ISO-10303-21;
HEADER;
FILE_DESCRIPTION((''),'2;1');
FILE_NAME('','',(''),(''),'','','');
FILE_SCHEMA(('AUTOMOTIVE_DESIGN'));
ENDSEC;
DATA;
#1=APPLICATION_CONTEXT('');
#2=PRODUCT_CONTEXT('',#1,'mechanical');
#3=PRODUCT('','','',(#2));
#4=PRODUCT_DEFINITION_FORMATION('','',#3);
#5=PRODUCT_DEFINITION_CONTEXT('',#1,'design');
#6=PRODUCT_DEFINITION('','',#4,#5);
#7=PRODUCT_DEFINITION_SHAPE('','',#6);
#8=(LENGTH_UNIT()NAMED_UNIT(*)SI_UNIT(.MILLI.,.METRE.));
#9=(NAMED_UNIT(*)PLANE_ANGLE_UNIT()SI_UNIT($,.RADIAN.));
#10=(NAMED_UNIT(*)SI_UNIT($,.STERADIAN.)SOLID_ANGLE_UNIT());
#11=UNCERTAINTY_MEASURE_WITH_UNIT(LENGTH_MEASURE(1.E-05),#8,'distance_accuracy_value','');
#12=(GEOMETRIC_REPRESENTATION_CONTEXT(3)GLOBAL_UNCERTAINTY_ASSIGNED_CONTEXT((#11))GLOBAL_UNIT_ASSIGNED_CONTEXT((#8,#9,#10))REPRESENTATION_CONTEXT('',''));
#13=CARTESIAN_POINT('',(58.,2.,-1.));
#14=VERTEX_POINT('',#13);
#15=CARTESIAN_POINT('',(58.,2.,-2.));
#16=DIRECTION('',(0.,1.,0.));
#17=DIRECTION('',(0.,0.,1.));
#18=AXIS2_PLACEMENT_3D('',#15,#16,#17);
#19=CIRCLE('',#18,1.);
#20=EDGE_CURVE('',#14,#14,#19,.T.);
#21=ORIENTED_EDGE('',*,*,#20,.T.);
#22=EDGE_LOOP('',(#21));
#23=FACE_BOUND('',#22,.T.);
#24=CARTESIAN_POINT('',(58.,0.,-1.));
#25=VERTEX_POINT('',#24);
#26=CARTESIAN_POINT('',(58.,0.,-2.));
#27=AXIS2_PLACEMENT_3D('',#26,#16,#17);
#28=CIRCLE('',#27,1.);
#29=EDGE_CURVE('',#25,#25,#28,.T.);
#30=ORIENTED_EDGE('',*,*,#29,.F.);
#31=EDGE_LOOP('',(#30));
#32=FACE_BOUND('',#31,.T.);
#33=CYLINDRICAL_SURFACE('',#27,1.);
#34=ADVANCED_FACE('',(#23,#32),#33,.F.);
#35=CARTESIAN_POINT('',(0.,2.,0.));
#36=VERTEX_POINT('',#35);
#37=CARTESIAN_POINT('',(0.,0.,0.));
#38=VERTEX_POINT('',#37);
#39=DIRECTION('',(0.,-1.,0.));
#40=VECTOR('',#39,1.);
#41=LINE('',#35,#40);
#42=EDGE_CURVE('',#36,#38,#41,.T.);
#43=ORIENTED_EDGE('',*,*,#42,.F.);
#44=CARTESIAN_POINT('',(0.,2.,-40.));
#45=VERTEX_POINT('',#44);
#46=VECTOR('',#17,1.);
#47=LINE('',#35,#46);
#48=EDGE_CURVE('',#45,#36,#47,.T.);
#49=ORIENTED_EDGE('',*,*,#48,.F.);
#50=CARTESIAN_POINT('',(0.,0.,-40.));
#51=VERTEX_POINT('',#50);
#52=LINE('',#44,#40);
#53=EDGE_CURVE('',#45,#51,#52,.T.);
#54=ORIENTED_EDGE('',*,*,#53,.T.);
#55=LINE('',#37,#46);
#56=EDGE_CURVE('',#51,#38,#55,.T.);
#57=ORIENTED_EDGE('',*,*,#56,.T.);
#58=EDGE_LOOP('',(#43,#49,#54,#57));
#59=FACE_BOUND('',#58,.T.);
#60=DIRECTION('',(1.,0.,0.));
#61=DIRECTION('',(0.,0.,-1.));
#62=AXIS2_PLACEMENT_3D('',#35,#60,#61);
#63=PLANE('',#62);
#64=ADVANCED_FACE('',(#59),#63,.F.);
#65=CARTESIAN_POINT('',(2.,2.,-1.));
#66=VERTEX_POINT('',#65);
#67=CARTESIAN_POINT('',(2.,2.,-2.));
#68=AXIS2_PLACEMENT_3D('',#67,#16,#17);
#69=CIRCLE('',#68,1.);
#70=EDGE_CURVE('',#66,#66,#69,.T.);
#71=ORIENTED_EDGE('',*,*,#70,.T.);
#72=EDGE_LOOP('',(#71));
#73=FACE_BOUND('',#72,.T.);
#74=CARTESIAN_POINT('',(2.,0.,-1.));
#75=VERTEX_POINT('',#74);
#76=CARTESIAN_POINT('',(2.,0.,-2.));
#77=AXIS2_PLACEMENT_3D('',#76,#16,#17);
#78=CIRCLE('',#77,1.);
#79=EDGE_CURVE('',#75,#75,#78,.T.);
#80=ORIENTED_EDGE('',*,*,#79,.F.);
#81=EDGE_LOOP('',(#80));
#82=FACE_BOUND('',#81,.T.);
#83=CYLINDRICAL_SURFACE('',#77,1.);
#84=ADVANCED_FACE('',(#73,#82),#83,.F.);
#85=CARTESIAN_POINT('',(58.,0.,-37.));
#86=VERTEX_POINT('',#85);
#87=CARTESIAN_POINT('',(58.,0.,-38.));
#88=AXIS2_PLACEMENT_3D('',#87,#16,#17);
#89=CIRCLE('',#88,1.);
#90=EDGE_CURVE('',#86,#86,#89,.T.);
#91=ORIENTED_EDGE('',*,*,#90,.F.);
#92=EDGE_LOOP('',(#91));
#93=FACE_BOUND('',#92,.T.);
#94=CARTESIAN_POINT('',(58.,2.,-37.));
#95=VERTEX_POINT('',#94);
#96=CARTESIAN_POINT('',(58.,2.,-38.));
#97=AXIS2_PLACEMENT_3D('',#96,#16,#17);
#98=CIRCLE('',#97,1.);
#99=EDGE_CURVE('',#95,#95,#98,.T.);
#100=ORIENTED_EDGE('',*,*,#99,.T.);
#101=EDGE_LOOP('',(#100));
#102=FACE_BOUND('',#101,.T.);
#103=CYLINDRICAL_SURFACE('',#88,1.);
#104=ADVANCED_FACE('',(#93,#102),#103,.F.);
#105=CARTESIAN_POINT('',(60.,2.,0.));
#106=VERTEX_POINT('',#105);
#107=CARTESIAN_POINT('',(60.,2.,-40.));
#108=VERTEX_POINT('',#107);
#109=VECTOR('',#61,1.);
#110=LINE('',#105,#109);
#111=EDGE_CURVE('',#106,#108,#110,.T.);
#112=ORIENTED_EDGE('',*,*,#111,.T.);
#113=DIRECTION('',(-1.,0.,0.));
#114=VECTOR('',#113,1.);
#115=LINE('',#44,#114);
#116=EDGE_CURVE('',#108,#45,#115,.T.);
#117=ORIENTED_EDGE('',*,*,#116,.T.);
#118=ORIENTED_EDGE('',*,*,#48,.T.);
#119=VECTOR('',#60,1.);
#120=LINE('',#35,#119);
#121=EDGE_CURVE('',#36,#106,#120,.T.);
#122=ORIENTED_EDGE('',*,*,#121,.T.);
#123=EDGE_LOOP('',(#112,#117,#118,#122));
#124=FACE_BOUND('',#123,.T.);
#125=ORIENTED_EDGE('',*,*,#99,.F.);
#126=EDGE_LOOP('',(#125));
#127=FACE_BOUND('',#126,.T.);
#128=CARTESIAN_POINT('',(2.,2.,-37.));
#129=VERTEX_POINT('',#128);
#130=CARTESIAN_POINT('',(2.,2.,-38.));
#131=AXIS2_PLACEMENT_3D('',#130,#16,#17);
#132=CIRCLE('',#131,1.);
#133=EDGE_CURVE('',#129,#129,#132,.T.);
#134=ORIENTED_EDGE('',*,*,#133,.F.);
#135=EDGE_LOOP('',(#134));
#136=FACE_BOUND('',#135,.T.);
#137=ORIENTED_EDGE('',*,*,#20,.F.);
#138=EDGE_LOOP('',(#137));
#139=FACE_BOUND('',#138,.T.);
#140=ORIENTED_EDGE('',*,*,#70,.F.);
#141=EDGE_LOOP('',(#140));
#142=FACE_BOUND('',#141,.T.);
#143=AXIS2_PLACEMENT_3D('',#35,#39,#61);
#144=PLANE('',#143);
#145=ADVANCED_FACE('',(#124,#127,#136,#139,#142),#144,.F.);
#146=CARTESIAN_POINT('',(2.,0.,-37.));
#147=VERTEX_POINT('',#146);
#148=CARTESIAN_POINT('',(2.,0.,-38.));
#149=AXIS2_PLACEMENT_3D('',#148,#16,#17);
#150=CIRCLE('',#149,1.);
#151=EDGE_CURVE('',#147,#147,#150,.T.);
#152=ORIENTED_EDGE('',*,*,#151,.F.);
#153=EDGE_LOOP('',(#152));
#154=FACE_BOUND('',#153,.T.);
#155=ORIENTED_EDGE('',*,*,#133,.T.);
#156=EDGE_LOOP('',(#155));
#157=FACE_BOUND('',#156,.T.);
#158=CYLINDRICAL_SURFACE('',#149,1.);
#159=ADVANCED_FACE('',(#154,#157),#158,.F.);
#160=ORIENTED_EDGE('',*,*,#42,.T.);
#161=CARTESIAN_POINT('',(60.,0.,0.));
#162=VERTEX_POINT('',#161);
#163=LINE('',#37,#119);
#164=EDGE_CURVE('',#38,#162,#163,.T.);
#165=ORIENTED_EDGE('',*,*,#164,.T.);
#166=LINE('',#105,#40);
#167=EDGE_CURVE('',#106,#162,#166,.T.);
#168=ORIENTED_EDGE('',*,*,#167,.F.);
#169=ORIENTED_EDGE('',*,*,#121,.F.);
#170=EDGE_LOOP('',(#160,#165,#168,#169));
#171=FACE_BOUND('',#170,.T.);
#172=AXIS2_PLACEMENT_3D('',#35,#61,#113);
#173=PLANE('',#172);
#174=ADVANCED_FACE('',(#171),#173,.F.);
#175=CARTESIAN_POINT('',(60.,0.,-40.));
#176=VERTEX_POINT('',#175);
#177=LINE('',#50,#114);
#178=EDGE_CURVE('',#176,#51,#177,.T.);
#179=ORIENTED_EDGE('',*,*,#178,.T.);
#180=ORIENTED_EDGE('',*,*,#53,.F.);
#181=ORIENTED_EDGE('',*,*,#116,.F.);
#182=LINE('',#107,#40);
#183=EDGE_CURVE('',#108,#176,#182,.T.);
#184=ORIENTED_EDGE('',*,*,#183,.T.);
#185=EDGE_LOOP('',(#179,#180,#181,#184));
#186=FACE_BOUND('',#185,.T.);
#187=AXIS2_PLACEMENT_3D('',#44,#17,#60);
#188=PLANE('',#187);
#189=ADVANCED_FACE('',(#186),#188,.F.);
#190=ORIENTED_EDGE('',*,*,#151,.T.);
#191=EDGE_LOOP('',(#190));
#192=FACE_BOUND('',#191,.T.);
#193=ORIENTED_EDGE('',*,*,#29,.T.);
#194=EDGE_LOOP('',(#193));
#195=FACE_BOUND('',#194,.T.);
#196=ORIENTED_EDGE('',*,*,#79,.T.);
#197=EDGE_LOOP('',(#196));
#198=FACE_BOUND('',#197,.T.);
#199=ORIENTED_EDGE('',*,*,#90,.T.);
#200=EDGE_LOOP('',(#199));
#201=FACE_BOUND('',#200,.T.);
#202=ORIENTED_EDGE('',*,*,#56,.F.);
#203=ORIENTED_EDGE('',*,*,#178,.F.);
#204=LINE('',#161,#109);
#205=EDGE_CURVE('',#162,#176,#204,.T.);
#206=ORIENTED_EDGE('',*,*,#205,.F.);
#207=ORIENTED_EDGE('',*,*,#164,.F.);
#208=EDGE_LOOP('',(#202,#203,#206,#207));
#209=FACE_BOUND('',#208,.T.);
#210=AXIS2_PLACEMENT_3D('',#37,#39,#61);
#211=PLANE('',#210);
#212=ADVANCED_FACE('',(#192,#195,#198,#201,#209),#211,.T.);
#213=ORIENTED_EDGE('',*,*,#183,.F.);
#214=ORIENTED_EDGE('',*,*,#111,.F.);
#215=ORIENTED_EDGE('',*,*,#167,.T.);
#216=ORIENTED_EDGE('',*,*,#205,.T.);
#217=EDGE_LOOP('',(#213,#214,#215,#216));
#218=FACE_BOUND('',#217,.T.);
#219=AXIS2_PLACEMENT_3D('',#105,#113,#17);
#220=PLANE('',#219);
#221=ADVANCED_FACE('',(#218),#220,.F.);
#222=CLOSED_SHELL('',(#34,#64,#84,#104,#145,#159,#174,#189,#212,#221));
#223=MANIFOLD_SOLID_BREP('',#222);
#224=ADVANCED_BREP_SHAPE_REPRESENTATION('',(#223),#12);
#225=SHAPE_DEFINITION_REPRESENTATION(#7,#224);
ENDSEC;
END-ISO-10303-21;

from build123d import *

# Parameters (mm, degrees)
SKETCH1_W           = 60
SKETCH1_H           = 40
BOSS_EXTRUDE1_DEPTH = 2
SKETCH2_R           = 1
CUT_EXTRUDE1_DEPTH  = 73.138755187


with BuildPart() as part:
    # Sketch1 → Boss-Extrude1 (new body)
    with BuildSketch(Plane(origin=(0, 0, 0), x_dir=(1, 0, 0), z_dir=(0, 1, 0))):
        with Locations((30, 20)):
            Rectangle(SKETCH1_W, SKETCH1_H)
    extrude(amount=BOSS_EXTRUDE1_DEPTH)

    # Sketch2 → Cut-Extrude1 (cut, through all)
    with BuildSketch(Plane(origin=(0, 2, 0), x_dir=(1, 0, 0), z_dir=(0, 1, 0))):
        with Locations(Location((2, 38, 0), (0, 0, 270))):
            Circle(SKETCH2_R)
        with Locations(Location((2, 2, 0), (0, 0, 270))):
            Circle(SKETCH2_R)
        with Locations(Location((58, 2, 0), (0, 0, 270))):
            Circle(SKETCH2_R)
        with Locations(Location((58, 38, 0), (0, 0, 270))):
            Circle(SKETCH2_R)
    extrude(amount=-CUT_EXTRUDE1_DEPTH, mode=Mode.SUBTRACT)


solid = part.part
